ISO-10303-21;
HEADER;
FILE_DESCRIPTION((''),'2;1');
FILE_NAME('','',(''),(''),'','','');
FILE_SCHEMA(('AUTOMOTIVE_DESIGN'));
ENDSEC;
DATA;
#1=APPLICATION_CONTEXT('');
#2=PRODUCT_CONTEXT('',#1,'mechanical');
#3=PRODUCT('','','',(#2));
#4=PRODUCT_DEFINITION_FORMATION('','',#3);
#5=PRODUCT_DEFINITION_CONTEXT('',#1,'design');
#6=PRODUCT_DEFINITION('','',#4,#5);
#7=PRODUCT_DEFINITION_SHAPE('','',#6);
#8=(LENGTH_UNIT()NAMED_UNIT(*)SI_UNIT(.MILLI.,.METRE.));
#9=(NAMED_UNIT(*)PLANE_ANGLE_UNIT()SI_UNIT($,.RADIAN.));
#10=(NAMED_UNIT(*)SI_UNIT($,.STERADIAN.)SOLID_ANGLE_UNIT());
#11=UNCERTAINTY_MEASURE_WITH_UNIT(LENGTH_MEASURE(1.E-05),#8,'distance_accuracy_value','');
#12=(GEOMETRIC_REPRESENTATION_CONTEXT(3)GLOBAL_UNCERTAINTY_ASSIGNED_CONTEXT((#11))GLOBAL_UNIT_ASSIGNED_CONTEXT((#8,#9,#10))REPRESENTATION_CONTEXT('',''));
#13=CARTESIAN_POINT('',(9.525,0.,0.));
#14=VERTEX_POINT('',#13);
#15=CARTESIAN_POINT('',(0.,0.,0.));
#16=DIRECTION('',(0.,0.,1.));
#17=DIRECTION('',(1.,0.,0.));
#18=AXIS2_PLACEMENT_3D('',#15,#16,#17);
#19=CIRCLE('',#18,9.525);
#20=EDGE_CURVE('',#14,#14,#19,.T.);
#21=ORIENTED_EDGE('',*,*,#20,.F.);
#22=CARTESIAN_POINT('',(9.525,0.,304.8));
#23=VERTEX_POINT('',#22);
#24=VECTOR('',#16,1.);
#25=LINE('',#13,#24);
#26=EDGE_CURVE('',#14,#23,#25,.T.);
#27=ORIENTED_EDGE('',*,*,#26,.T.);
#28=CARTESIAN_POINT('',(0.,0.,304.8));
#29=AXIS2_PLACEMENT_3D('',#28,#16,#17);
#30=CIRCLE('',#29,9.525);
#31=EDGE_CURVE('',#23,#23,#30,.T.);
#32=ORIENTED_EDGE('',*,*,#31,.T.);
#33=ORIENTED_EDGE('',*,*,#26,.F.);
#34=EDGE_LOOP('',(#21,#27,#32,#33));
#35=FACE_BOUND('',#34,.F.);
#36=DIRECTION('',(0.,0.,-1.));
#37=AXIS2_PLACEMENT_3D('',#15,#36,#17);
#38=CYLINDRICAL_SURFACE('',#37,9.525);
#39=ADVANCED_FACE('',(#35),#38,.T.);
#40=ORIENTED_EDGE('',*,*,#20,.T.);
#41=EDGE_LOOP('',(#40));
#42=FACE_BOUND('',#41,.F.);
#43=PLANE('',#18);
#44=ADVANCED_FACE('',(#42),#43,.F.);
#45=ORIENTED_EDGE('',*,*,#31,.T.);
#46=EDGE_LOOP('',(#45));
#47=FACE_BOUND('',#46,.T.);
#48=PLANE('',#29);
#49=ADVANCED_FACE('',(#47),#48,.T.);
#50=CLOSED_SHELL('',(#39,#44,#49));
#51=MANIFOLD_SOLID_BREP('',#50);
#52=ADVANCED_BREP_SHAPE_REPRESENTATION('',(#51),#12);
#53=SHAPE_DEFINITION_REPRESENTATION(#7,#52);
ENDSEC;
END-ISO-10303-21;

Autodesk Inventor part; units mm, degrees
ref_plane "YZ Plane" through (0, 0, 0) normal (1, 0, 0) x (0, 1, 0)
ref_plane "XZ Plane" through (0, 0, 0) normal (0, 1, 0) x (-1, 0, 0)
ref_plane "XY Plane" through (0, 0, 0) normal (0, 0, 1) x (1, 0, 0)
sketch "Sketch1" plane through (0, 0, 0) normal (0, 0, 1) x (1, 0, 0)
  circle A0 centre (0, 0) radius 9.525
  dimension "d0" = 19.05
  dimension "d0" = 19.05
extrude "Extrusion1" add sketch "Sketch1" along normal blind 304.8
properties part number "AWI-12" material "Aluminum-6061"
